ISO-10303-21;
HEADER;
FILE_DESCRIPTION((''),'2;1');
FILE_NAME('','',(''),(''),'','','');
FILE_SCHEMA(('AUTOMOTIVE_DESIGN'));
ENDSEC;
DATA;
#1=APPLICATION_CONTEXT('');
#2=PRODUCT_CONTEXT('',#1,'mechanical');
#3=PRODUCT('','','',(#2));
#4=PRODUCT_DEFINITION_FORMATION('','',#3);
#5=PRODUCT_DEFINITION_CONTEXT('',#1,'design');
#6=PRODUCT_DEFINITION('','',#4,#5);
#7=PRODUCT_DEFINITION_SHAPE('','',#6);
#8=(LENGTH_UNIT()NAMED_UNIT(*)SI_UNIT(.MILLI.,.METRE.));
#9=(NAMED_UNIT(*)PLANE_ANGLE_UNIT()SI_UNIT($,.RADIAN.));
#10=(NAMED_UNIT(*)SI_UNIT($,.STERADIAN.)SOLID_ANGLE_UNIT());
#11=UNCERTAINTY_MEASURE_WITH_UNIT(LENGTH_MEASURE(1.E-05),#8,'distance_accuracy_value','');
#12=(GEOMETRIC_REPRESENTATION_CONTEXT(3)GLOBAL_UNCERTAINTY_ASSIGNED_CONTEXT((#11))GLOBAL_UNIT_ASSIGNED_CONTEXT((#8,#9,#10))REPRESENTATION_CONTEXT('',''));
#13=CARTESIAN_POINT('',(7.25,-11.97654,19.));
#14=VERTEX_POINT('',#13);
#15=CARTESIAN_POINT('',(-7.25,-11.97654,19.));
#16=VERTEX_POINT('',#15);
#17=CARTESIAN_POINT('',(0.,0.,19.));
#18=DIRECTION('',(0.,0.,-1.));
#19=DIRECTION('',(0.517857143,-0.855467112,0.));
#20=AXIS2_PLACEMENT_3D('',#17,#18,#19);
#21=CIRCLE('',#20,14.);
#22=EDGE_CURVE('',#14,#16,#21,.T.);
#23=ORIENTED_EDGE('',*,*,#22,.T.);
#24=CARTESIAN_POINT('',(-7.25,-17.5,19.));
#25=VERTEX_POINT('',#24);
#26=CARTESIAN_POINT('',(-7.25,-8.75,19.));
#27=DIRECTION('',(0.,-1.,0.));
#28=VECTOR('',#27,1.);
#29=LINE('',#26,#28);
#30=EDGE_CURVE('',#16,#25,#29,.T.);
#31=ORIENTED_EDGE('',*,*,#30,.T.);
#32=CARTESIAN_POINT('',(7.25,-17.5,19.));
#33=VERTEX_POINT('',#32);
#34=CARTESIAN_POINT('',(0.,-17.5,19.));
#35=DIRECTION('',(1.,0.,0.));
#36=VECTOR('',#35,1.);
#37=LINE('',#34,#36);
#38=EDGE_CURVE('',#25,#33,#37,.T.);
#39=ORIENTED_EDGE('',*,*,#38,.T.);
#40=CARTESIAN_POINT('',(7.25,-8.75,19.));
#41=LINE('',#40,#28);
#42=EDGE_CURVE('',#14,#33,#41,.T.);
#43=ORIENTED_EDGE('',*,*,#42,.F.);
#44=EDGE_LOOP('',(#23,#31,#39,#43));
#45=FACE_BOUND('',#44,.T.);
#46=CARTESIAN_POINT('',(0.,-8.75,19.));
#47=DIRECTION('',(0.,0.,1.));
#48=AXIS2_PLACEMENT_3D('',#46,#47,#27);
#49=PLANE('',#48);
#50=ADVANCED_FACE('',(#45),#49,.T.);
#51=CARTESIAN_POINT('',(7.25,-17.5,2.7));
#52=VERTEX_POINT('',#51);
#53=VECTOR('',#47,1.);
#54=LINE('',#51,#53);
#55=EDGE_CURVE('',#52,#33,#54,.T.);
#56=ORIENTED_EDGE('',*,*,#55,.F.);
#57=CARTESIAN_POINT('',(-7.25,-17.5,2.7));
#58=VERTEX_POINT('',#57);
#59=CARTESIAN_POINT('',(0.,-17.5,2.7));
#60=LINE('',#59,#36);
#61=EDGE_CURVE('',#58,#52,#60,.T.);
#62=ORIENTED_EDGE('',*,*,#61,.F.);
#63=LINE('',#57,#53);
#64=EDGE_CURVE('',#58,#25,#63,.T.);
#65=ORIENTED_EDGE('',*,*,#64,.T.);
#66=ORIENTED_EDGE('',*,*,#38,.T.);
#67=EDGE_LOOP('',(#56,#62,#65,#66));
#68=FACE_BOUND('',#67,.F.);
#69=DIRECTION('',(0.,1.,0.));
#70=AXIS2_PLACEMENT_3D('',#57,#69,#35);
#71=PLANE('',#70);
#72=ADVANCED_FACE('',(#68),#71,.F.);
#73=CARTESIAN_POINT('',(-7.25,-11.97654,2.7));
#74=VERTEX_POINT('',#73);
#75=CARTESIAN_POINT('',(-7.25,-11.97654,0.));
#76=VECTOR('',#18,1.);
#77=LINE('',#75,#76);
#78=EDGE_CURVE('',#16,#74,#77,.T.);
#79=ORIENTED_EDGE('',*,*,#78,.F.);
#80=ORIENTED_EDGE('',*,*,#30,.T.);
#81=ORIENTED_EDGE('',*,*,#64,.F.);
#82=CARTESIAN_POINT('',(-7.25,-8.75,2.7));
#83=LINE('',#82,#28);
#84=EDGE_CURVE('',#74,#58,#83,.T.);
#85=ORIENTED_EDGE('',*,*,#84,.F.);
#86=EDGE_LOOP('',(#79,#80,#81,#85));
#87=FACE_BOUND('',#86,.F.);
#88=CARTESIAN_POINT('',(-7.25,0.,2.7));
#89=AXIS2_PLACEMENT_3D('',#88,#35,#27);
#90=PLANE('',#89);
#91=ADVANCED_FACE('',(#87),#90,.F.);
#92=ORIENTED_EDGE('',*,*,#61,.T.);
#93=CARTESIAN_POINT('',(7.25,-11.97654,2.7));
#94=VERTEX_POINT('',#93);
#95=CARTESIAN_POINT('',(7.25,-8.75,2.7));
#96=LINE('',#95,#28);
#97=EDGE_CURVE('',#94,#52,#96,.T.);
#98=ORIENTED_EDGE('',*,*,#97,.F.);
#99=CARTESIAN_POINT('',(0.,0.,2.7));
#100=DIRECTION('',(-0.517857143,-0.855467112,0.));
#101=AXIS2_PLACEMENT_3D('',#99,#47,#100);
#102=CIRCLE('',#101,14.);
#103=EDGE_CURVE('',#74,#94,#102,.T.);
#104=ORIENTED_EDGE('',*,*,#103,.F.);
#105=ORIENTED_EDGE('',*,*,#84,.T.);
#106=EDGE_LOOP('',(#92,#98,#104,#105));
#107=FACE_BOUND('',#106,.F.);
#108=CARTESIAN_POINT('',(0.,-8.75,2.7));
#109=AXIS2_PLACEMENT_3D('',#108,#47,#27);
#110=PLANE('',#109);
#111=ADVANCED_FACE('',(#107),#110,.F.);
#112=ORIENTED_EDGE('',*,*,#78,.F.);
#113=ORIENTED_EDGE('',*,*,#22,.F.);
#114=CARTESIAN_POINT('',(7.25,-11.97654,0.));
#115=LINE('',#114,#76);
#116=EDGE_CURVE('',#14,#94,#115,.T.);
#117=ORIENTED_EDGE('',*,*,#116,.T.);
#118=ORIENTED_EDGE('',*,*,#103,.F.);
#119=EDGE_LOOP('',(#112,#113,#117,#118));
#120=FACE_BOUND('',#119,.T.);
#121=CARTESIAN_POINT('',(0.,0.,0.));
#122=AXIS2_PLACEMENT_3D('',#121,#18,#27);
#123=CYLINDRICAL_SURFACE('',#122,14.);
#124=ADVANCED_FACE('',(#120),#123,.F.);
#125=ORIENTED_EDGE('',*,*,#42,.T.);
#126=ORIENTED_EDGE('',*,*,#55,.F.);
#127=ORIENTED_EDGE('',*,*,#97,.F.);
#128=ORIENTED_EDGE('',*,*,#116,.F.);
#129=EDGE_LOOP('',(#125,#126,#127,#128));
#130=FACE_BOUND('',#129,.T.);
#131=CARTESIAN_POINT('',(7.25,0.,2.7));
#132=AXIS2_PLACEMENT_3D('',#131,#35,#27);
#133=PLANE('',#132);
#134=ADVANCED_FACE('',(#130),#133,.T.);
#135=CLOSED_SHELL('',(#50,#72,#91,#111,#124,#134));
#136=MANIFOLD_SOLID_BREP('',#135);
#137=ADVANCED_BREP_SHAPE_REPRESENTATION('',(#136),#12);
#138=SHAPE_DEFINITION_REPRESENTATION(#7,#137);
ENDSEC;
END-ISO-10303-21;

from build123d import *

# Parameters (mm, degrees)
CYLINDER001_R       = 14
CYLINDER001_DEPTH   = 19
BOX_W               = 17.5
BOX_H               = 14.5
BOX_DEPTH           = 16.3
CUT_PLACEMENT_ANGLE = -90


with BuildPart() as cylinder001:
    # Cylinder001 → Cylinder001 (new body)
    with BuildSketch(Plane.XY):
        Circle(CYLINDER001_R)
    extrude(amount=CYLINDER001_DEPTH)


with BuildPart() as cut:
    # Box → Box (new body)
    with BuildSketch(Plane(origin=(0, -7.25, 2.7), x_dir=(1, 0, 0), z_dir=(0, 0, 1))):
        with Locations((8.75, 7.25)):
            Rectangle(BOX_W, BOX_H)
    extrude(amount=BOX_DEPTH)

    # Cut: cut Cylinder001
    add(cylinder001.part, mode=Mode.SUBTRACT)


with BuildPart() as cut_1:
    # Cut placement: moved
    add(cut.part.rotate(Axis((0, 0, 0), (0, 0, 1)), CUT_PLACEMENT_ANGLE))


solid = cut_1.part
